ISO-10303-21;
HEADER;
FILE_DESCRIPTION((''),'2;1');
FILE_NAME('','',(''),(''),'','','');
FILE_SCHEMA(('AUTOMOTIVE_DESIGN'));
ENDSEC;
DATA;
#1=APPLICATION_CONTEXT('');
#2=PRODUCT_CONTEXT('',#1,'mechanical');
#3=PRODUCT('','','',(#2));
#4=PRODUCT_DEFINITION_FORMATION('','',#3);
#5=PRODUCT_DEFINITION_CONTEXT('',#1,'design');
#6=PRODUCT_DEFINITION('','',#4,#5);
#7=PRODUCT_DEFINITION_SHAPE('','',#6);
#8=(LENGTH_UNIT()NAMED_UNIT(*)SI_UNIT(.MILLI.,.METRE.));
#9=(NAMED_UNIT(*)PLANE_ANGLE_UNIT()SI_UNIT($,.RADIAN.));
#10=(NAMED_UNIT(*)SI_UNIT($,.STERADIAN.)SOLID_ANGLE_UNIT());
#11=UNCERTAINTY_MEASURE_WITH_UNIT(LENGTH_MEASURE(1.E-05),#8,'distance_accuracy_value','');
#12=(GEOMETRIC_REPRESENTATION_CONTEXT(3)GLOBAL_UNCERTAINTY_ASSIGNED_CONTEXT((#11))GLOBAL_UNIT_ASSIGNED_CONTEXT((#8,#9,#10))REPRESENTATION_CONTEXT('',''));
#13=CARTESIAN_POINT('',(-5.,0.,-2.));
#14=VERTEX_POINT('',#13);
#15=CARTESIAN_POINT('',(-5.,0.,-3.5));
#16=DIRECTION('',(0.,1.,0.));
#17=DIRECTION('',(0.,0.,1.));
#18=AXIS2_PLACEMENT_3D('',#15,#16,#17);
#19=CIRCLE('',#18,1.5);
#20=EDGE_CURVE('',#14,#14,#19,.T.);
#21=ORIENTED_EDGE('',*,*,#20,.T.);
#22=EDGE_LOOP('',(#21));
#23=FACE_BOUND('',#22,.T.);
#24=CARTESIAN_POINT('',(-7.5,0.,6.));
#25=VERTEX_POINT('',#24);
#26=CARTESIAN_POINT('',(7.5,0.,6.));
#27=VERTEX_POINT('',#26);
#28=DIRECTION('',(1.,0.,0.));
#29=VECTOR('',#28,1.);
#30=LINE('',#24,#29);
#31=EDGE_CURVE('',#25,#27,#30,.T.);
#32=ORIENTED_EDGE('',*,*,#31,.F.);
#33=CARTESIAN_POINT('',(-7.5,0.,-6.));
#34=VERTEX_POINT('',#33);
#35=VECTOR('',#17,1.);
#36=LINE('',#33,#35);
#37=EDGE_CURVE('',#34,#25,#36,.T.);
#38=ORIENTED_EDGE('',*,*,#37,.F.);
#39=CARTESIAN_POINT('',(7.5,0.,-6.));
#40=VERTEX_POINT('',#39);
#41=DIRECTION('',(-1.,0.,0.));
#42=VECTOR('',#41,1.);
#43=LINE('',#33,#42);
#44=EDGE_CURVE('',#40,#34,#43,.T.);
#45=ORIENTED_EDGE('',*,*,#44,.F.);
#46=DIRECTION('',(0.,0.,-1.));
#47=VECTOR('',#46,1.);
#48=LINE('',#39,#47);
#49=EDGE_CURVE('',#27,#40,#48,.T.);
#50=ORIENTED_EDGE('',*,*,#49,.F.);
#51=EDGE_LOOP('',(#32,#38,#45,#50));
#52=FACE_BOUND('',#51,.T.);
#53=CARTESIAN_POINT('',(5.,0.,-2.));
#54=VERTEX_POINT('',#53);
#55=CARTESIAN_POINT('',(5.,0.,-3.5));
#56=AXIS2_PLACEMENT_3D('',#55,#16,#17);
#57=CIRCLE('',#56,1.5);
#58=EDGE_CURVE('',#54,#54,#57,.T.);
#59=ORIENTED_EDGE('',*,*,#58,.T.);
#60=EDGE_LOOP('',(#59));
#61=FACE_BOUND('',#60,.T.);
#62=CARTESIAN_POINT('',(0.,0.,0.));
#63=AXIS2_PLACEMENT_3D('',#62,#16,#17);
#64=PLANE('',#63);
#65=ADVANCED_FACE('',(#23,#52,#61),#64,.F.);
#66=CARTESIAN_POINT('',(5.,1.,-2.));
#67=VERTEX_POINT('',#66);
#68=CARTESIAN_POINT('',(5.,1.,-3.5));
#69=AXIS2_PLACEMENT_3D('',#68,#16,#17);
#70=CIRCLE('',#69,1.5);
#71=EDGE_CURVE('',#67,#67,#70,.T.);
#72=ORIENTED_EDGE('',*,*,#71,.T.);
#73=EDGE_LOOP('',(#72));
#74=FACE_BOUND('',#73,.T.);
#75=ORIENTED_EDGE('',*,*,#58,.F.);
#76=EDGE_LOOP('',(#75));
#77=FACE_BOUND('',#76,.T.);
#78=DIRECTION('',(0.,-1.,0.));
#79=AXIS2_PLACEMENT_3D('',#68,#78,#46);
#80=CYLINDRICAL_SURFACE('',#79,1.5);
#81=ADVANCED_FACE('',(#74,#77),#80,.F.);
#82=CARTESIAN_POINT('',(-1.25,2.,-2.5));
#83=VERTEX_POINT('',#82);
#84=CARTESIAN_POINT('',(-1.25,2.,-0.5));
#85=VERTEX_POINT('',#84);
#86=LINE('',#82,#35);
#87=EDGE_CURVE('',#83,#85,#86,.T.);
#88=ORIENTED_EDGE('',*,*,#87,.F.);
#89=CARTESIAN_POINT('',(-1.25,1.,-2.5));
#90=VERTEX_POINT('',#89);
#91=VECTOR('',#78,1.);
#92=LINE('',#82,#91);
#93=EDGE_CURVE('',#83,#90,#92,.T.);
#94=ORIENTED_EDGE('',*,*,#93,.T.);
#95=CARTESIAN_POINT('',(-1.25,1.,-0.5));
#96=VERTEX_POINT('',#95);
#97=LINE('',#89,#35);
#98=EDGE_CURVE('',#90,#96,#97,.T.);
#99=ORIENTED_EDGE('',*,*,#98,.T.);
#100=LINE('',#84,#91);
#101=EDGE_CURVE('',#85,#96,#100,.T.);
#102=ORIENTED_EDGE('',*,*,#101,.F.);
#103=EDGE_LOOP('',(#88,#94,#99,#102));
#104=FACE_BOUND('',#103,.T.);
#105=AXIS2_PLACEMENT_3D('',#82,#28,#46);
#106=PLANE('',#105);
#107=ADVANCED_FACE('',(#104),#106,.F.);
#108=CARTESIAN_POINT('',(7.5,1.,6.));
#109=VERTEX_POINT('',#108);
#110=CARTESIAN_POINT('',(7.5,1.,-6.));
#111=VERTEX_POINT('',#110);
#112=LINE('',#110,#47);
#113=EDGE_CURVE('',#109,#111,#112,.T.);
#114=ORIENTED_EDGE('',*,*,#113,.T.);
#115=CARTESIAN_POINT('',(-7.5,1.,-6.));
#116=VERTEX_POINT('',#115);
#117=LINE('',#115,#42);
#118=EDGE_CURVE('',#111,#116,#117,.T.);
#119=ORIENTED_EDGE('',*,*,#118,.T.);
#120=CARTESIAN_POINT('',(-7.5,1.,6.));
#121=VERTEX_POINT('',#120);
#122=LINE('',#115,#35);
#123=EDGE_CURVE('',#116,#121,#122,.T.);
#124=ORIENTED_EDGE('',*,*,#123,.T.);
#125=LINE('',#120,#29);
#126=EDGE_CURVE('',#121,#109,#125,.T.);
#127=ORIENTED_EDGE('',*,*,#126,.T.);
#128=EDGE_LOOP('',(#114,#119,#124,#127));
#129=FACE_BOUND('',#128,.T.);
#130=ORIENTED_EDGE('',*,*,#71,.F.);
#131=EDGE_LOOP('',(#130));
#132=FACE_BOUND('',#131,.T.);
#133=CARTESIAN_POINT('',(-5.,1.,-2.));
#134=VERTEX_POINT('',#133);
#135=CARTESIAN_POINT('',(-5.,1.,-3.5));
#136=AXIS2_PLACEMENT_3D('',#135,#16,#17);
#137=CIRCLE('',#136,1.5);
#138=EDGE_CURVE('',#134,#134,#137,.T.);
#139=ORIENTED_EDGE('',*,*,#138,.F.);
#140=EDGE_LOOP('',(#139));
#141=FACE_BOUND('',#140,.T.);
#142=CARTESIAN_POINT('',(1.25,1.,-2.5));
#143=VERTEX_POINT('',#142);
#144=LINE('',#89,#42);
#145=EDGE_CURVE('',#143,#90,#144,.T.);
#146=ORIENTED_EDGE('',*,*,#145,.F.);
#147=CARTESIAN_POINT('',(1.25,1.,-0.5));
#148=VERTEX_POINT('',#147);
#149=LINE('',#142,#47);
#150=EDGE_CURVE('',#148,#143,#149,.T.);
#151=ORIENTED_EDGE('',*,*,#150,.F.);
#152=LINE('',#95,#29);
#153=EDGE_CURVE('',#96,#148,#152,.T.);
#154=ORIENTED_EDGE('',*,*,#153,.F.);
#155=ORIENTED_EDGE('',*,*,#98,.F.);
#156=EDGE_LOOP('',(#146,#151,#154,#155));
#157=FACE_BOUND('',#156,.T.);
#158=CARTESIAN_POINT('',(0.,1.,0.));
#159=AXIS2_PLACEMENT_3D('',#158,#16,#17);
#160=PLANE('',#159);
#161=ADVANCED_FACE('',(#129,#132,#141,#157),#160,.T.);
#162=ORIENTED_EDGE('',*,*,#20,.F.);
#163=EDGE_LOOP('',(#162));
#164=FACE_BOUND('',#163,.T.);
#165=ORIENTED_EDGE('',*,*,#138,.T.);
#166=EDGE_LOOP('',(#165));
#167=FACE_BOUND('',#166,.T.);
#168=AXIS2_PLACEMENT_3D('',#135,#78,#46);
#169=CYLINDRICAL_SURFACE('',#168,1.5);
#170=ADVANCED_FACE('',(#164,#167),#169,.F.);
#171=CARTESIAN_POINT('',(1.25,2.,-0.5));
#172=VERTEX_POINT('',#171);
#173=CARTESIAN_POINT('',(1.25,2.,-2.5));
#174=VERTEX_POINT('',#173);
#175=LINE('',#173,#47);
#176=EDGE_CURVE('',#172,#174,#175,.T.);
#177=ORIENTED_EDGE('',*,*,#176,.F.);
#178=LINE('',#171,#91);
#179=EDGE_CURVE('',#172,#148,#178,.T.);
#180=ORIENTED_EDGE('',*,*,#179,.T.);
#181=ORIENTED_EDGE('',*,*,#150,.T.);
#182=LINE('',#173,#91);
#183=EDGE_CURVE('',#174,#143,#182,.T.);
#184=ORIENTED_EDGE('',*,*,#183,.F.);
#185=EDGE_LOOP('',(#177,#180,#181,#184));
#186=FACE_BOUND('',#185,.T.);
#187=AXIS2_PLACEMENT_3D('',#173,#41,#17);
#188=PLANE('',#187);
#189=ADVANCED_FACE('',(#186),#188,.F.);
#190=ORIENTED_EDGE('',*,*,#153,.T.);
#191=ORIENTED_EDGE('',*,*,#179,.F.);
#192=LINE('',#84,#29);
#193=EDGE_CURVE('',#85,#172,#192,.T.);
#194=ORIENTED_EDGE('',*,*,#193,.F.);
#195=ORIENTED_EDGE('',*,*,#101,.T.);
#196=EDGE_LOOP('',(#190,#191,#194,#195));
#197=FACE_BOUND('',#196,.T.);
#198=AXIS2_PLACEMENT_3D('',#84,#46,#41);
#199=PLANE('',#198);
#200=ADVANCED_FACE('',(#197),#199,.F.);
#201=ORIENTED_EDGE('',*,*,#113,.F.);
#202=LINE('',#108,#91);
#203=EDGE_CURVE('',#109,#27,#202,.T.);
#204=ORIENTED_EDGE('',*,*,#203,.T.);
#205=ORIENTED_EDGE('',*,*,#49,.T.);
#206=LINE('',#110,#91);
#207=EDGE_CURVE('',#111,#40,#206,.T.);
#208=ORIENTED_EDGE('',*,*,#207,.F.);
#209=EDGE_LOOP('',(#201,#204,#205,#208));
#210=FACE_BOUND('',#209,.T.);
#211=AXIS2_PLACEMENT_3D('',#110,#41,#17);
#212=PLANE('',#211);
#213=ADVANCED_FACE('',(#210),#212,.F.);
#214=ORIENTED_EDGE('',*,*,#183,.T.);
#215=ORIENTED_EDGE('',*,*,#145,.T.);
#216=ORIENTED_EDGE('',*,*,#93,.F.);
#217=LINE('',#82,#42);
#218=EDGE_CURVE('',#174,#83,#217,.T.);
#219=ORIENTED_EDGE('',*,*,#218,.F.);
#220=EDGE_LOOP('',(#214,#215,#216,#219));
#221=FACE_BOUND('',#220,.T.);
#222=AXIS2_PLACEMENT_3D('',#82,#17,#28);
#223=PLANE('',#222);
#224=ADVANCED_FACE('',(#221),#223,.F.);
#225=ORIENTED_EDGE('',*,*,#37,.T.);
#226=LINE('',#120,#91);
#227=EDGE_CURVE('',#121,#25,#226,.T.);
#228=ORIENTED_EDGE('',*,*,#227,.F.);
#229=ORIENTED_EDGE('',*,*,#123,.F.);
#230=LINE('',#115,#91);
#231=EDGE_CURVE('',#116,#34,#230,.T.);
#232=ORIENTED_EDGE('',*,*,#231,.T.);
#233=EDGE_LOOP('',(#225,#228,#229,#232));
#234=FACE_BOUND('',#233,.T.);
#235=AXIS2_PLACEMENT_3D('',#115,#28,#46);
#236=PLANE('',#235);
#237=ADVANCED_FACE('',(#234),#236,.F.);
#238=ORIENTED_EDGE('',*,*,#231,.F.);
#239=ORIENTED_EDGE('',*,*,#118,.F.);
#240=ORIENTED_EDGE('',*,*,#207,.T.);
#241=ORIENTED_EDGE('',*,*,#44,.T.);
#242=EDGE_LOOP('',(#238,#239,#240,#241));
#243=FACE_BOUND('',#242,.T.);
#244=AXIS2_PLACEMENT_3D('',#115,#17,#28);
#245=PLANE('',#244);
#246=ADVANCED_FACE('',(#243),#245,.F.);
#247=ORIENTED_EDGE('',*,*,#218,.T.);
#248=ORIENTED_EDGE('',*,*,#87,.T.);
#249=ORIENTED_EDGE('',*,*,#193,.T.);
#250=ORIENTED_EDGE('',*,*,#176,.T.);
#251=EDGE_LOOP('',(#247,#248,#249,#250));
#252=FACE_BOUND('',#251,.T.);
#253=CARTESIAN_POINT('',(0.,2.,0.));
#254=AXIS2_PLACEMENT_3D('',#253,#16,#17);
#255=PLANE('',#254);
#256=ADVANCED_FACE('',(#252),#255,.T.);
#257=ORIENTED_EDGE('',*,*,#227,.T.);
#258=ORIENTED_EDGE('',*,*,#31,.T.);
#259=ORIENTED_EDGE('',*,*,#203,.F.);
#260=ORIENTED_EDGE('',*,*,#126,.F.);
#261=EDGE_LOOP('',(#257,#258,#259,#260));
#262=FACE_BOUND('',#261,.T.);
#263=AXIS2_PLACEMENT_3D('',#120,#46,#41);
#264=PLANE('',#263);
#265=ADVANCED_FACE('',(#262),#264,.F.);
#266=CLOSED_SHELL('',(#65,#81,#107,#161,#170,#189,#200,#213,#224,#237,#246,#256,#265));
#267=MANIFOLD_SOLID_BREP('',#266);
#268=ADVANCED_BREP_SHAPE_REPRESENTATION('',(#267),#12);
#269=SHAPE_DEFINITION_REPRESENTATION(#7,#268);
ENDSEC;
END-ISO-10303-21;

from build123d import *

# Parameters (mm, degrees)
SKETCH1_W    = 15
SKETCH1_H    = 12
SKETCH1_R    = 1.5
PCB_DEPTH    = 1
SKETCH2_W    = 2.5
SKETCH2_H    = 2
SENSOR_DEPTH = 1


with BuildPart() as part:
    # Sketch1 → PCB (new body)
    with BuildSketch(Plane(origin=(0, 0, 0), x_dir=(1, 0, 0), z_dir=(0, 1, 0))):
        Rectangle(SKETCH1_W, SKETCH1_H)
        with Locations(Location((-5, 3.5, 0), (0, 0, 270))):
            Circle(SKETCH1_R, mode=Mode.SUBTRACT)
        with Locations(Location((5, 3.5, 0), (0, 0, 270))):
            Circle(SKETCH1_R, mode=Mode.SUBTRACT)
    extrude(amount=PCB_DEPTH)

    # Sketch2 → Sensor (add)
    with BuildSketch(Plane(origin=(0, 1, 0), x_dir=(1, 0, 0), z_dir=(0, 1, 0))):
        with Locations((0, 1.5)):
            Rectangle(SKETCH2_W, SKETCH2_H)
    extrude(amount=SENSOR_DEPTH)


solid = part.part
